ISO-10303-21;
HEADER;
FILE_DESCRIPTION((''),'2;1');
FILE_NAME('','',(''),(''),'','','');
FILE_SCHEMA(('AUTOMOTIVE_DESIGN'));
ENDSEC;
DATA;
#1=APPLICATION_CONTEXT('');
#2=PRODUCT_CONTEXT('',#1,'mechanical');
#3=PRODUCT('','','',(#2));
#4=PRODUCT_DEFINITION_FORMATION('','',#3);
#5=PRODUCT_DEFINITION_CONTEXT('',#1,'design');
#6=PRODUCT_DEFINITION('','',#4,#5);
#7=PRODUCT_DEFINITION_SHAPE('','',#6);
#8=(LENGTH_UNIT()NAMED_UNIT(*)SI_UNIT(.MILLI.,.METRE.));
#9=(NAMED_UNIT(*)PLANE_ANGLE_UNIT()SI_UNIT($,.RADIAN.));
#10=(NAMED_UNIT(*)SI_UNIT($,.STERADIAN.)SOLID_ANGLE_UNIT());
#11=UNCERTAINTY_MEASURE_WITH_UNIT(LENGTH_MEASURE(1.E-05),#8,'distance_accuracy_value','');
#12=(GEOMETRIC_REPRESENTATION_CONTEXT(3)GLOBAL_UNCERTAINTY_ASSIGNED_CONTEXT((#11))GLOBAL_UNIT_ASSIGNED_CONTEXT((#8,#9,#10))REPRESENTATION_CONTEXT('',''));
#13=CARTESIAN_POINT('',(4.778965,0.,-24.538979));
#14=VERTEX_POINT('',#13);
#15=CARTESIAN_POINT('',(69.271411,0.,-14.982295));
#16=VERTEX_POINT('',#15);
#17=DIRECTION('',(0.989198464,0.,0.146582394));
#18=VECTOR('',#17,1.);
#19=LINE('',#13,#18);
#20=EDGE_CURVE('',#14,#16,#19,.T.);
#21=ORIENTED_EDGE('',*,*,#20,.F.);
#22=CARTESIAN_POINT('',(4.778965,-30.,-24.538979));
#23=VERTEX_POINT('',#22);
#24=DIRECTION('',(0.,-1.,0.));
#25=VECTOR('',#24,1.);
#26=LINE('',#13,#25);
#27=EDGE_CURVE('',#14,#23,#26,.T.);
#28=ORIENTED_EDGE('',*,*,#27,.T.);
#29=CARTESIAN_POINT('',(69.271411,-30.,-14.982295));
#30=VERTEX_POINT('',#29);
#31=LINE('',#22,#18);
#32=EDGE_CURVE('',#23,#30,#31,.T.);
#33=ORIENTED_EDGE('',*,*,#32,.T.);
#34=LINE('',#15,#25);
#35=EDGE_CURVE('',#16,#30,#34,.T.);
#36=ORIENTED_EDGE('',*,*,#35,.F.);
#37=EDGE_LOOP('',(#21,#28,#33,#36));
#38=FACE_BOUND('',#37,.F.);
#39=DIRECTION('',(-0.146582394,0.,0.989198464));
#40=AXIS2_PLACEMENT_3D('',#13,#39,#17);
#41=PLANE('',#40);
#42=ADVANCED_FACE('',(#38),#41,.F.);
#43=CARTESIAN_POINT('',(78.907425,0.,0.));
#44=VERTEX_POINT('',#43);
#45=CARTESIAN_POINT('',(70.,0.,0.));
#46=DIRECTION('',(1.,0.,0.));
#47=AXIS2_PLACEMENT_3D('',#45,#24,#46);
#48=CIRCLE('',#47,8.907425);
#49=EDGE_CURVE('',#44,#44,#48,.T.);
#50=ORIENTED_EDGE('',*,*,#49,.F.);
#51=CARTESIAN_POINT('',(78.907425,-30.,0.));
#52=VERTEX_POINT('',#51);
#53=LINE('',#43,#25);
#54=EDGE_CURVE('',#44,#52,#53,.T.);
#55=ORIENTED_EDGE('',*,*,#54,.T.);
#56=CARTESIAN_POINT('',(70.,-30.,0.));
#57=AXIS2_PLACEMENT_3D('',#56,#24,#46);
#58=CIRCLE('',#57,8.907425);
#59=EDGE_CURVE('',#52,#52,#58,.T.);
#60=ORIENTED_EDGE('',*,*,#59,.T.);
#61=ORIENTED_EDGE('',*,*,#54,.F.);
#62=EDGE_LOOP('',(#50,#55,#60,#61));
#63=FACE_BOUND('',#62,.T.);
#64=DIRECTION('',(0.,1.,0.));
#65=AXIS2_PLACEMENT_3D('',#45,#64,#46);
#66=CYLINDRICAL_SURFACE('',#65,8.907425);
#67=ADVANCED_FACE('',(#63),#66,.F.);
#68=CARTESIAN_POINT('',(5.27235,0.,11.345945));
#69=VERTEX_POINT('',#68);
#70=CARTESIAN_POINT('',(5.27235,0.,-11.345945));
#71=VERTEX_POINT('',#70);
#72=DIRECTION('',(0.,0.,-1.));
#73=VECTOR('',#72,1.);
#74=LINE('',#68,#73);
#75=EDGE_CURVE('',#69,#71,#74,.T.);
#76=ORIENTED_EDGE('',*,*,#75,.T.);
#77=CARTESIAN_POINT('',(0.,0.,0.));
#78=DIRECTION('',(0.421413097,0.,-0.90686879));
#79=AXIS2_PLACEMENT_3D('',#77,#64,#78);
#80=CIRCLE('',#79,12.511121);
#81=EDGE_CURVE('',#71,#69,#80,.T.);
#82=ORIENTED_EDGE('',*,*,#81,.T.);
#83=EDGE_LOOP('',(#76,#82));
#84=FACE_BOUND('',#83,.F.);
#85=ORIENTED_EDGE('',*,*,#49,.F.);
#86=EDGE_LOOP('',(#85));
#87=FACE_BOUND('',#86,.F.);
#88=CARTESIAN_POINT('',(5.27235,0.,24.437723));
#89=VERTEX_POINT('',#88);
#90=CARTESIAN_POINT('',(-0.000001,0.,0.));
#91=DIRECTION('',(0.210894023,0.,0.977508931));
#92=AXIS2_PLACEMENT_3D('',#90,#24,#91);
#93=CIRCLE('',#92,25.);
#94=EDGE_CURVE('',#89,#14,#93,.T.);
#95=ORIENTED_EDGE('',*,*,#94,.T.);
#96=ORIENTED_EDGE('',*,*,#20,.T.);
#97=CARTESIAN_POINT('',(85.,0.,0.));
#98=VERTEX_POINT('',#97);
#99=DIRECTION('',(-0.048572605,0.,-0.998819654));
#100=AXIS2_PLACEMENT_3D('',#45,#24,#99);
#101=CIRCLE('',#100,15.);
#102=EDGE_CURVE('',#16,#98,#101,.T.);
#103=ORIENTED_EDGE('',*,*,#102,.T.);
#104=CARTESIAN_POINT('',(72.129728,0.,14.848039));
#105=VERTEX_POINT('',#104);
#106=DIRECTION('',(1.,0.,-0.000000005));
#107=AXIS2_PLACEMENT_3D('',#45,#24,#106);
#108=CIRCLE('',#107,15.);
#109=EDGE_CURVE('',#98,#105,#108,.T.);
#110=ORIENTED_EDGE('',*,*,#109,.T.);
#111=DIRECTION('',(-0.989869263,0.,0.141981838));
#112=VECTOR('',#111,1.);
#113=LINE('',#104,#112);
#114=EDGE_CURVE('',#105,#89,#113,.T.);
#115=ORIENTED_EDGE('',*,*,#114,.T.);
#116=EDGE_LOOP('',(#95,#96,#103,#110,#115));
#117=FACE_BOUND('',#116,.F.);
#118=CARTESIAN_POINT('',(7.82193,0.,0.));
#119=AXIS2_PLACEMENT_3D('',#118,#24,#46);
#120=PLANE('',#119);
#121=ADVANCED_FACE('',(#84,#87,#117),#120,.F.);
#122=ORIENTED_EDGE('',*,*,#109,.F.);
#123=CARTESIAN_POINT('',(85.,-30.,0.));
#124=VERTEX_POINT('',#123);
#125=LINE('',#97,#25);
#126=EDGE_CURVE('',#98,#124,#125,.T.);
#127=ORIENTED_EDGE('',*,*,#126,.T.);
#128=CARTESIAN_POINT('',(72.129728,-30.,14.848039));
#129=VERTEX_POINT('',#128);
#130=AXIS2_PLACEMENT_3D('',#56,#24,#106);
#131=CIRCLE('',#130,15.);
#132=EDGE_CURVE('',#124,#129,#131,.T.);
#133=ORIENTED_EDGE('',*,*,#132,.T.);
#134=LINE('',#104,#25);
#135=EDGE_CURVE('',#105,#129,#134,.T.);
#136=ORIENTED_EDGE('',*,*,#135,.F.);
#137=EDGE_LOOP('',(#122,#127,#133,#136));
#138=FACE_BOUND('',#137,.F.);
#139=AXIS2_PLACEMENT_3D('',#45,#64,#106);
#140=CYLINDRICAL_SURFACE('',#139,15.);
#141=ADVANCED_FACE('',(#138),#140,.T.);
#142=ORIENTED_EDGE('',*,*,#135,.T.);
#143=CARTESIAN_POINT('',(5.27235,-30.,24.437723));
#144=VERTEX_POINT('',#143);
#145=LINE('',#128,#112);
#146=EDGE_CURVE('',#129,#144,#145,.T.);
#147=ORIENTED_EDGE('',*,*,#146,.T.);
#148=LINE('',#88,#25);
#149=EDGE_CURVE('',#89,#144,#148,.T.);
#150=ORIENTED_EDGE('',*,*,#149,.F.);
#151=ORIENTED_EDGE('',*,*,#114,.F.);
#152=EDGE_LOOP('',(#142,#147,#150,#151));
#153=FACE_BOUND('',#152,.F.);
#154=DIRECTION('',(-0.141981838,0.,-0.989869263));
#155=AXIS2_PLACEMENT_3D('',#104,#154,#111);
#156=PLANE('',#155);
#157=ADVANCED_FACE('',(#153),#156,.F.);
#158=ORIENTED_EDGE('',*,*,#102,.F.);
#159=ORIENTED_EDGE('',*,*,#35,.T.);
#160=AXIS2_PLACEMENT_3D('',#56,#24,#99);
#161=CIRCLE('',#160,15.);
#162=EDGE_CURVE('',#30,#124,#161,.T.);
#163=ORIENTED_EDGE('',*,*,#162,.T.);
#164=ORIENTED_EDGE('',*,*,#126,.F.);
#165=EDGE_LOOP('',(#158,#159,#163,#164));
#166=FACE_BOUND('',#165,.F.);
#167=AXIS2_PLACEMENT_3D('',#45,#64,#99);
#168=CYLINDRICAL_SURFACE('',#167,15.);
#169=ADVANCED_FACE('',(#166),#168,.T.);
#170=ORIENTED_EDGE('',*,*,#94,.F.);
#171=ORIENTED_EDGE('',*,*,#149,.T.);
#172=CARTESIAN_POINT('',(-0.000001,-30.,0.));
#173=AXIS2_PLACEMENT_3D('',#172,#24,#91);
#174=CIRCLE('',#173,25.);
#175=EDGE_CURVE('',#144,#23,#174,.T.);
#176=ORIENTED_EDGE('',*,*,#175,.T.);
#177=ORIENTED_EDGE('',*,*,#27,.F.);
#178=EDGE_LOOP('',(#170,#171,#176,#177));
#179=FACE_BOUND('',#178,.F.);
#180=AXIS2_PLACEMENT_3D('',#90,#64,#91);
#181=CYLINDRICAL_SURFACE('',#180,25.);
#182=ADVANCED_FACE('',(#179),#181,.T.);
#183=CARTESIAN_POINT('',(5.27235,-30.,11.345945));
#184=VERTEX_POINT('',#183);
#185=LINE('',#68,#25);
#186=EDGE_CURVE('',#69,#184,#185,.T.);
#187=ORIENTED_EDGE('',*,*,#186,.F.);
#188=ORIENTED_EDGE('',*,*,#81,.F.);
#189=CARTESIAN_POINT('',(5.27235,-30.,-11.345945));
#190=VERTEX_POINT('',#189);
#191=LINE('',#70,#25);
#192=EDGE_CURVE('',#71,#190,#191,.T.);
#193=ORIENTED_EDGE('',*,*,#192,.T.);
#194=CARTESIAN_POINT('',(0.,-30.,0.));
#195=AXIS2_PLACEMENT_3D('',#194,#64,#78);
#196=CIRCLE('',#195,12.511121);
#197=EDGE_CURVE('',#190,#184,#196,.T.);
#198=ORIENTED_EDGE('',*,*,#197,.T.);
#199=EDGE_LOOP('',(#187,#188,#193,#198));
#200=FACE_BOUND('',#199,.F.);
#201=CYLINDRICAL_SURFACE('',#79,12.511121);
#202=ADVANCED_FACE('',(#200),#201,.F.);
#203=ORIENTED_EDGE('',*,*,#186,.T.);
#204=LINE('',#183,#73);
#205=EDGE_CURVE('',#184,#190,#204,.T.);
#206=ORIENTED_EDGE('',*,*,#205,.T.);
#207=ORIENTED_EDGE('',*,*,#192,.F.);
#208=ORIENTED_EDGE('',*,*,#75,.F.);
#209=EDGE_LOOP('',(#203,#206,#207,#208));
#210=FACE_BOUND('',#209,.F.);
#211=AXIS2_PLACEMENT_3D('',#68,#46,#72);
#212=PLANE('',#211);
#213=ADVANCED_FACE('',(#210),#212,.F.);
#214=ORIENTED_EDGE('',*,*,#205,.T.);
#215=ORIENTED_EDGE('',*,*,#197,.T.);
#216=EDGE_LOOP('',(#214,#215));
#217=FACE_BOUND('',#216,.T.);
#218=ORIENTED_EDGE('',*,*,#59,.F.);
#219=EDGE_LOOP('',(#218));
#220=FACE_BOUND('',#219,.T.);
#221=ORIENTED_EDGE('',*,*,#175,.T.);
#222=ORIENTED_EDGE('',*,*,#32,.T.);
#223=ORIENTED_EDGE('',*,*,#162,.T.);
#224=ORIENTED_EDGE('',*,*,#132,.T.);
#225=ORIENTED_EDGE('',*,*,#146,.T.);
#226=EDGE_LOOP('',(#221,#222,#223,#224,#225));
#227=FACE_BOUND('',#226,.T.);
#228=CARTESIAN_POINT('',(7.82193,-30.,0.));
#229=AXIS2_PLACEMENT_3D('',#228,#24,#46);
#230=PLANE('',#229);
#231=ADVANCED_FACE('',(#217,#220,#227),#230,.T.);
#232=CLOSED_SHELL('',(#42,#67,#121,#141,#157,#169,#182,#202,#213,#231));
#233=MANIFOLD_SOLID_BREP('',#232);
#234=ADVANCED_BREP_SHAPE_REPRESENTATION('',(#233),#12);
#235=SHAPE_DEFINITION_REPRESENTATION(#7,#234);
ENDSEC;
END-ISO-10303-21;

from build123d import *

# Parameters (mm, degrees)
F0_R     = 8.907425
F1_DEPTH = 30
F2_DEPTH = 30


with BuildPart() as f1:
    # F0 (on Front) → F1 (new body)
    with BuildSketch(Plane.XZ):
        with BuildLine():
            ThreePointArc((4.778965, -24.538979), (19.293446, -15.89852), (25, 0))
            ThreePointArc((25, 0), (19.452619, 15.703364), (5.27235, 24.437723))
            ThreePointArc((5.27235, 24.437723), (-24.998732, 0.251834), (4.778965, -24.538979))
        make_face()
        with BuildLine():
            ThreePointArc((5.27235, 11.345945), (10.547302, 6.729233), (12.511121, 0))
            ThreePointArc((12.511121, 0), (10.547302, -6.729233), (5.27235, -11.345945))
            ThreePointArc((5.27235, -11.345945), (-12.511121, 0), (5.27235, 11.345945))
        make_face(mode=Mode.SUBTRACT)
        with BuildLine():
            ThreePointArc((5.27235, 24.437723), (19.452619, 15.703364), (25, 0))
            ThreePointArc((25, 0), (19.293446, -15.89852), (4.778965, -24.538979))
            Line((4.778965, -24.538979), (69.271411, -14.982295))
            ThreePointArc((69.271411, -14.982295), (55.068389, 1.430734), (72.129728, 14.848039))
            Line((72.129728, 14.848039), (5.27235, 24.437723))
        make_face()
        with BuildLine():
            ThreePointArc((85, 0), (81.334591, 9.824818), (72.129728, 14.848039))
            ThreePointArc((72.129728, 14.848039), (55.068389, 1.430734), (69.271411, -14.982295))
            ThreePointArc((69.271411, -14.982295), (80.3458, -10.861143), (85, 0))
        make_face()
        with Locations((70, 0)):
            Circle(F0_R, mode=Mode.SUBTRACT)
    extrude(amount=F1_DEPTH)

    # F0 (on Front) → F2 (join)
    with BuildSketch(Plane.XZ):
        with BuildLine():
            ThreePointArc((5.27235, -11.345945), (10.547302, -6.729233), (12.511121, 0))
            ThreePointArc((12.511121, 0), (10.547302, 6.729233), (5.27235, 11.345945))
            Line((5.27235, 11.345945), (5.27235, -11.345945))
        make_face()
    extrude(amount=F2_DEPTH)


solid = f1.part
